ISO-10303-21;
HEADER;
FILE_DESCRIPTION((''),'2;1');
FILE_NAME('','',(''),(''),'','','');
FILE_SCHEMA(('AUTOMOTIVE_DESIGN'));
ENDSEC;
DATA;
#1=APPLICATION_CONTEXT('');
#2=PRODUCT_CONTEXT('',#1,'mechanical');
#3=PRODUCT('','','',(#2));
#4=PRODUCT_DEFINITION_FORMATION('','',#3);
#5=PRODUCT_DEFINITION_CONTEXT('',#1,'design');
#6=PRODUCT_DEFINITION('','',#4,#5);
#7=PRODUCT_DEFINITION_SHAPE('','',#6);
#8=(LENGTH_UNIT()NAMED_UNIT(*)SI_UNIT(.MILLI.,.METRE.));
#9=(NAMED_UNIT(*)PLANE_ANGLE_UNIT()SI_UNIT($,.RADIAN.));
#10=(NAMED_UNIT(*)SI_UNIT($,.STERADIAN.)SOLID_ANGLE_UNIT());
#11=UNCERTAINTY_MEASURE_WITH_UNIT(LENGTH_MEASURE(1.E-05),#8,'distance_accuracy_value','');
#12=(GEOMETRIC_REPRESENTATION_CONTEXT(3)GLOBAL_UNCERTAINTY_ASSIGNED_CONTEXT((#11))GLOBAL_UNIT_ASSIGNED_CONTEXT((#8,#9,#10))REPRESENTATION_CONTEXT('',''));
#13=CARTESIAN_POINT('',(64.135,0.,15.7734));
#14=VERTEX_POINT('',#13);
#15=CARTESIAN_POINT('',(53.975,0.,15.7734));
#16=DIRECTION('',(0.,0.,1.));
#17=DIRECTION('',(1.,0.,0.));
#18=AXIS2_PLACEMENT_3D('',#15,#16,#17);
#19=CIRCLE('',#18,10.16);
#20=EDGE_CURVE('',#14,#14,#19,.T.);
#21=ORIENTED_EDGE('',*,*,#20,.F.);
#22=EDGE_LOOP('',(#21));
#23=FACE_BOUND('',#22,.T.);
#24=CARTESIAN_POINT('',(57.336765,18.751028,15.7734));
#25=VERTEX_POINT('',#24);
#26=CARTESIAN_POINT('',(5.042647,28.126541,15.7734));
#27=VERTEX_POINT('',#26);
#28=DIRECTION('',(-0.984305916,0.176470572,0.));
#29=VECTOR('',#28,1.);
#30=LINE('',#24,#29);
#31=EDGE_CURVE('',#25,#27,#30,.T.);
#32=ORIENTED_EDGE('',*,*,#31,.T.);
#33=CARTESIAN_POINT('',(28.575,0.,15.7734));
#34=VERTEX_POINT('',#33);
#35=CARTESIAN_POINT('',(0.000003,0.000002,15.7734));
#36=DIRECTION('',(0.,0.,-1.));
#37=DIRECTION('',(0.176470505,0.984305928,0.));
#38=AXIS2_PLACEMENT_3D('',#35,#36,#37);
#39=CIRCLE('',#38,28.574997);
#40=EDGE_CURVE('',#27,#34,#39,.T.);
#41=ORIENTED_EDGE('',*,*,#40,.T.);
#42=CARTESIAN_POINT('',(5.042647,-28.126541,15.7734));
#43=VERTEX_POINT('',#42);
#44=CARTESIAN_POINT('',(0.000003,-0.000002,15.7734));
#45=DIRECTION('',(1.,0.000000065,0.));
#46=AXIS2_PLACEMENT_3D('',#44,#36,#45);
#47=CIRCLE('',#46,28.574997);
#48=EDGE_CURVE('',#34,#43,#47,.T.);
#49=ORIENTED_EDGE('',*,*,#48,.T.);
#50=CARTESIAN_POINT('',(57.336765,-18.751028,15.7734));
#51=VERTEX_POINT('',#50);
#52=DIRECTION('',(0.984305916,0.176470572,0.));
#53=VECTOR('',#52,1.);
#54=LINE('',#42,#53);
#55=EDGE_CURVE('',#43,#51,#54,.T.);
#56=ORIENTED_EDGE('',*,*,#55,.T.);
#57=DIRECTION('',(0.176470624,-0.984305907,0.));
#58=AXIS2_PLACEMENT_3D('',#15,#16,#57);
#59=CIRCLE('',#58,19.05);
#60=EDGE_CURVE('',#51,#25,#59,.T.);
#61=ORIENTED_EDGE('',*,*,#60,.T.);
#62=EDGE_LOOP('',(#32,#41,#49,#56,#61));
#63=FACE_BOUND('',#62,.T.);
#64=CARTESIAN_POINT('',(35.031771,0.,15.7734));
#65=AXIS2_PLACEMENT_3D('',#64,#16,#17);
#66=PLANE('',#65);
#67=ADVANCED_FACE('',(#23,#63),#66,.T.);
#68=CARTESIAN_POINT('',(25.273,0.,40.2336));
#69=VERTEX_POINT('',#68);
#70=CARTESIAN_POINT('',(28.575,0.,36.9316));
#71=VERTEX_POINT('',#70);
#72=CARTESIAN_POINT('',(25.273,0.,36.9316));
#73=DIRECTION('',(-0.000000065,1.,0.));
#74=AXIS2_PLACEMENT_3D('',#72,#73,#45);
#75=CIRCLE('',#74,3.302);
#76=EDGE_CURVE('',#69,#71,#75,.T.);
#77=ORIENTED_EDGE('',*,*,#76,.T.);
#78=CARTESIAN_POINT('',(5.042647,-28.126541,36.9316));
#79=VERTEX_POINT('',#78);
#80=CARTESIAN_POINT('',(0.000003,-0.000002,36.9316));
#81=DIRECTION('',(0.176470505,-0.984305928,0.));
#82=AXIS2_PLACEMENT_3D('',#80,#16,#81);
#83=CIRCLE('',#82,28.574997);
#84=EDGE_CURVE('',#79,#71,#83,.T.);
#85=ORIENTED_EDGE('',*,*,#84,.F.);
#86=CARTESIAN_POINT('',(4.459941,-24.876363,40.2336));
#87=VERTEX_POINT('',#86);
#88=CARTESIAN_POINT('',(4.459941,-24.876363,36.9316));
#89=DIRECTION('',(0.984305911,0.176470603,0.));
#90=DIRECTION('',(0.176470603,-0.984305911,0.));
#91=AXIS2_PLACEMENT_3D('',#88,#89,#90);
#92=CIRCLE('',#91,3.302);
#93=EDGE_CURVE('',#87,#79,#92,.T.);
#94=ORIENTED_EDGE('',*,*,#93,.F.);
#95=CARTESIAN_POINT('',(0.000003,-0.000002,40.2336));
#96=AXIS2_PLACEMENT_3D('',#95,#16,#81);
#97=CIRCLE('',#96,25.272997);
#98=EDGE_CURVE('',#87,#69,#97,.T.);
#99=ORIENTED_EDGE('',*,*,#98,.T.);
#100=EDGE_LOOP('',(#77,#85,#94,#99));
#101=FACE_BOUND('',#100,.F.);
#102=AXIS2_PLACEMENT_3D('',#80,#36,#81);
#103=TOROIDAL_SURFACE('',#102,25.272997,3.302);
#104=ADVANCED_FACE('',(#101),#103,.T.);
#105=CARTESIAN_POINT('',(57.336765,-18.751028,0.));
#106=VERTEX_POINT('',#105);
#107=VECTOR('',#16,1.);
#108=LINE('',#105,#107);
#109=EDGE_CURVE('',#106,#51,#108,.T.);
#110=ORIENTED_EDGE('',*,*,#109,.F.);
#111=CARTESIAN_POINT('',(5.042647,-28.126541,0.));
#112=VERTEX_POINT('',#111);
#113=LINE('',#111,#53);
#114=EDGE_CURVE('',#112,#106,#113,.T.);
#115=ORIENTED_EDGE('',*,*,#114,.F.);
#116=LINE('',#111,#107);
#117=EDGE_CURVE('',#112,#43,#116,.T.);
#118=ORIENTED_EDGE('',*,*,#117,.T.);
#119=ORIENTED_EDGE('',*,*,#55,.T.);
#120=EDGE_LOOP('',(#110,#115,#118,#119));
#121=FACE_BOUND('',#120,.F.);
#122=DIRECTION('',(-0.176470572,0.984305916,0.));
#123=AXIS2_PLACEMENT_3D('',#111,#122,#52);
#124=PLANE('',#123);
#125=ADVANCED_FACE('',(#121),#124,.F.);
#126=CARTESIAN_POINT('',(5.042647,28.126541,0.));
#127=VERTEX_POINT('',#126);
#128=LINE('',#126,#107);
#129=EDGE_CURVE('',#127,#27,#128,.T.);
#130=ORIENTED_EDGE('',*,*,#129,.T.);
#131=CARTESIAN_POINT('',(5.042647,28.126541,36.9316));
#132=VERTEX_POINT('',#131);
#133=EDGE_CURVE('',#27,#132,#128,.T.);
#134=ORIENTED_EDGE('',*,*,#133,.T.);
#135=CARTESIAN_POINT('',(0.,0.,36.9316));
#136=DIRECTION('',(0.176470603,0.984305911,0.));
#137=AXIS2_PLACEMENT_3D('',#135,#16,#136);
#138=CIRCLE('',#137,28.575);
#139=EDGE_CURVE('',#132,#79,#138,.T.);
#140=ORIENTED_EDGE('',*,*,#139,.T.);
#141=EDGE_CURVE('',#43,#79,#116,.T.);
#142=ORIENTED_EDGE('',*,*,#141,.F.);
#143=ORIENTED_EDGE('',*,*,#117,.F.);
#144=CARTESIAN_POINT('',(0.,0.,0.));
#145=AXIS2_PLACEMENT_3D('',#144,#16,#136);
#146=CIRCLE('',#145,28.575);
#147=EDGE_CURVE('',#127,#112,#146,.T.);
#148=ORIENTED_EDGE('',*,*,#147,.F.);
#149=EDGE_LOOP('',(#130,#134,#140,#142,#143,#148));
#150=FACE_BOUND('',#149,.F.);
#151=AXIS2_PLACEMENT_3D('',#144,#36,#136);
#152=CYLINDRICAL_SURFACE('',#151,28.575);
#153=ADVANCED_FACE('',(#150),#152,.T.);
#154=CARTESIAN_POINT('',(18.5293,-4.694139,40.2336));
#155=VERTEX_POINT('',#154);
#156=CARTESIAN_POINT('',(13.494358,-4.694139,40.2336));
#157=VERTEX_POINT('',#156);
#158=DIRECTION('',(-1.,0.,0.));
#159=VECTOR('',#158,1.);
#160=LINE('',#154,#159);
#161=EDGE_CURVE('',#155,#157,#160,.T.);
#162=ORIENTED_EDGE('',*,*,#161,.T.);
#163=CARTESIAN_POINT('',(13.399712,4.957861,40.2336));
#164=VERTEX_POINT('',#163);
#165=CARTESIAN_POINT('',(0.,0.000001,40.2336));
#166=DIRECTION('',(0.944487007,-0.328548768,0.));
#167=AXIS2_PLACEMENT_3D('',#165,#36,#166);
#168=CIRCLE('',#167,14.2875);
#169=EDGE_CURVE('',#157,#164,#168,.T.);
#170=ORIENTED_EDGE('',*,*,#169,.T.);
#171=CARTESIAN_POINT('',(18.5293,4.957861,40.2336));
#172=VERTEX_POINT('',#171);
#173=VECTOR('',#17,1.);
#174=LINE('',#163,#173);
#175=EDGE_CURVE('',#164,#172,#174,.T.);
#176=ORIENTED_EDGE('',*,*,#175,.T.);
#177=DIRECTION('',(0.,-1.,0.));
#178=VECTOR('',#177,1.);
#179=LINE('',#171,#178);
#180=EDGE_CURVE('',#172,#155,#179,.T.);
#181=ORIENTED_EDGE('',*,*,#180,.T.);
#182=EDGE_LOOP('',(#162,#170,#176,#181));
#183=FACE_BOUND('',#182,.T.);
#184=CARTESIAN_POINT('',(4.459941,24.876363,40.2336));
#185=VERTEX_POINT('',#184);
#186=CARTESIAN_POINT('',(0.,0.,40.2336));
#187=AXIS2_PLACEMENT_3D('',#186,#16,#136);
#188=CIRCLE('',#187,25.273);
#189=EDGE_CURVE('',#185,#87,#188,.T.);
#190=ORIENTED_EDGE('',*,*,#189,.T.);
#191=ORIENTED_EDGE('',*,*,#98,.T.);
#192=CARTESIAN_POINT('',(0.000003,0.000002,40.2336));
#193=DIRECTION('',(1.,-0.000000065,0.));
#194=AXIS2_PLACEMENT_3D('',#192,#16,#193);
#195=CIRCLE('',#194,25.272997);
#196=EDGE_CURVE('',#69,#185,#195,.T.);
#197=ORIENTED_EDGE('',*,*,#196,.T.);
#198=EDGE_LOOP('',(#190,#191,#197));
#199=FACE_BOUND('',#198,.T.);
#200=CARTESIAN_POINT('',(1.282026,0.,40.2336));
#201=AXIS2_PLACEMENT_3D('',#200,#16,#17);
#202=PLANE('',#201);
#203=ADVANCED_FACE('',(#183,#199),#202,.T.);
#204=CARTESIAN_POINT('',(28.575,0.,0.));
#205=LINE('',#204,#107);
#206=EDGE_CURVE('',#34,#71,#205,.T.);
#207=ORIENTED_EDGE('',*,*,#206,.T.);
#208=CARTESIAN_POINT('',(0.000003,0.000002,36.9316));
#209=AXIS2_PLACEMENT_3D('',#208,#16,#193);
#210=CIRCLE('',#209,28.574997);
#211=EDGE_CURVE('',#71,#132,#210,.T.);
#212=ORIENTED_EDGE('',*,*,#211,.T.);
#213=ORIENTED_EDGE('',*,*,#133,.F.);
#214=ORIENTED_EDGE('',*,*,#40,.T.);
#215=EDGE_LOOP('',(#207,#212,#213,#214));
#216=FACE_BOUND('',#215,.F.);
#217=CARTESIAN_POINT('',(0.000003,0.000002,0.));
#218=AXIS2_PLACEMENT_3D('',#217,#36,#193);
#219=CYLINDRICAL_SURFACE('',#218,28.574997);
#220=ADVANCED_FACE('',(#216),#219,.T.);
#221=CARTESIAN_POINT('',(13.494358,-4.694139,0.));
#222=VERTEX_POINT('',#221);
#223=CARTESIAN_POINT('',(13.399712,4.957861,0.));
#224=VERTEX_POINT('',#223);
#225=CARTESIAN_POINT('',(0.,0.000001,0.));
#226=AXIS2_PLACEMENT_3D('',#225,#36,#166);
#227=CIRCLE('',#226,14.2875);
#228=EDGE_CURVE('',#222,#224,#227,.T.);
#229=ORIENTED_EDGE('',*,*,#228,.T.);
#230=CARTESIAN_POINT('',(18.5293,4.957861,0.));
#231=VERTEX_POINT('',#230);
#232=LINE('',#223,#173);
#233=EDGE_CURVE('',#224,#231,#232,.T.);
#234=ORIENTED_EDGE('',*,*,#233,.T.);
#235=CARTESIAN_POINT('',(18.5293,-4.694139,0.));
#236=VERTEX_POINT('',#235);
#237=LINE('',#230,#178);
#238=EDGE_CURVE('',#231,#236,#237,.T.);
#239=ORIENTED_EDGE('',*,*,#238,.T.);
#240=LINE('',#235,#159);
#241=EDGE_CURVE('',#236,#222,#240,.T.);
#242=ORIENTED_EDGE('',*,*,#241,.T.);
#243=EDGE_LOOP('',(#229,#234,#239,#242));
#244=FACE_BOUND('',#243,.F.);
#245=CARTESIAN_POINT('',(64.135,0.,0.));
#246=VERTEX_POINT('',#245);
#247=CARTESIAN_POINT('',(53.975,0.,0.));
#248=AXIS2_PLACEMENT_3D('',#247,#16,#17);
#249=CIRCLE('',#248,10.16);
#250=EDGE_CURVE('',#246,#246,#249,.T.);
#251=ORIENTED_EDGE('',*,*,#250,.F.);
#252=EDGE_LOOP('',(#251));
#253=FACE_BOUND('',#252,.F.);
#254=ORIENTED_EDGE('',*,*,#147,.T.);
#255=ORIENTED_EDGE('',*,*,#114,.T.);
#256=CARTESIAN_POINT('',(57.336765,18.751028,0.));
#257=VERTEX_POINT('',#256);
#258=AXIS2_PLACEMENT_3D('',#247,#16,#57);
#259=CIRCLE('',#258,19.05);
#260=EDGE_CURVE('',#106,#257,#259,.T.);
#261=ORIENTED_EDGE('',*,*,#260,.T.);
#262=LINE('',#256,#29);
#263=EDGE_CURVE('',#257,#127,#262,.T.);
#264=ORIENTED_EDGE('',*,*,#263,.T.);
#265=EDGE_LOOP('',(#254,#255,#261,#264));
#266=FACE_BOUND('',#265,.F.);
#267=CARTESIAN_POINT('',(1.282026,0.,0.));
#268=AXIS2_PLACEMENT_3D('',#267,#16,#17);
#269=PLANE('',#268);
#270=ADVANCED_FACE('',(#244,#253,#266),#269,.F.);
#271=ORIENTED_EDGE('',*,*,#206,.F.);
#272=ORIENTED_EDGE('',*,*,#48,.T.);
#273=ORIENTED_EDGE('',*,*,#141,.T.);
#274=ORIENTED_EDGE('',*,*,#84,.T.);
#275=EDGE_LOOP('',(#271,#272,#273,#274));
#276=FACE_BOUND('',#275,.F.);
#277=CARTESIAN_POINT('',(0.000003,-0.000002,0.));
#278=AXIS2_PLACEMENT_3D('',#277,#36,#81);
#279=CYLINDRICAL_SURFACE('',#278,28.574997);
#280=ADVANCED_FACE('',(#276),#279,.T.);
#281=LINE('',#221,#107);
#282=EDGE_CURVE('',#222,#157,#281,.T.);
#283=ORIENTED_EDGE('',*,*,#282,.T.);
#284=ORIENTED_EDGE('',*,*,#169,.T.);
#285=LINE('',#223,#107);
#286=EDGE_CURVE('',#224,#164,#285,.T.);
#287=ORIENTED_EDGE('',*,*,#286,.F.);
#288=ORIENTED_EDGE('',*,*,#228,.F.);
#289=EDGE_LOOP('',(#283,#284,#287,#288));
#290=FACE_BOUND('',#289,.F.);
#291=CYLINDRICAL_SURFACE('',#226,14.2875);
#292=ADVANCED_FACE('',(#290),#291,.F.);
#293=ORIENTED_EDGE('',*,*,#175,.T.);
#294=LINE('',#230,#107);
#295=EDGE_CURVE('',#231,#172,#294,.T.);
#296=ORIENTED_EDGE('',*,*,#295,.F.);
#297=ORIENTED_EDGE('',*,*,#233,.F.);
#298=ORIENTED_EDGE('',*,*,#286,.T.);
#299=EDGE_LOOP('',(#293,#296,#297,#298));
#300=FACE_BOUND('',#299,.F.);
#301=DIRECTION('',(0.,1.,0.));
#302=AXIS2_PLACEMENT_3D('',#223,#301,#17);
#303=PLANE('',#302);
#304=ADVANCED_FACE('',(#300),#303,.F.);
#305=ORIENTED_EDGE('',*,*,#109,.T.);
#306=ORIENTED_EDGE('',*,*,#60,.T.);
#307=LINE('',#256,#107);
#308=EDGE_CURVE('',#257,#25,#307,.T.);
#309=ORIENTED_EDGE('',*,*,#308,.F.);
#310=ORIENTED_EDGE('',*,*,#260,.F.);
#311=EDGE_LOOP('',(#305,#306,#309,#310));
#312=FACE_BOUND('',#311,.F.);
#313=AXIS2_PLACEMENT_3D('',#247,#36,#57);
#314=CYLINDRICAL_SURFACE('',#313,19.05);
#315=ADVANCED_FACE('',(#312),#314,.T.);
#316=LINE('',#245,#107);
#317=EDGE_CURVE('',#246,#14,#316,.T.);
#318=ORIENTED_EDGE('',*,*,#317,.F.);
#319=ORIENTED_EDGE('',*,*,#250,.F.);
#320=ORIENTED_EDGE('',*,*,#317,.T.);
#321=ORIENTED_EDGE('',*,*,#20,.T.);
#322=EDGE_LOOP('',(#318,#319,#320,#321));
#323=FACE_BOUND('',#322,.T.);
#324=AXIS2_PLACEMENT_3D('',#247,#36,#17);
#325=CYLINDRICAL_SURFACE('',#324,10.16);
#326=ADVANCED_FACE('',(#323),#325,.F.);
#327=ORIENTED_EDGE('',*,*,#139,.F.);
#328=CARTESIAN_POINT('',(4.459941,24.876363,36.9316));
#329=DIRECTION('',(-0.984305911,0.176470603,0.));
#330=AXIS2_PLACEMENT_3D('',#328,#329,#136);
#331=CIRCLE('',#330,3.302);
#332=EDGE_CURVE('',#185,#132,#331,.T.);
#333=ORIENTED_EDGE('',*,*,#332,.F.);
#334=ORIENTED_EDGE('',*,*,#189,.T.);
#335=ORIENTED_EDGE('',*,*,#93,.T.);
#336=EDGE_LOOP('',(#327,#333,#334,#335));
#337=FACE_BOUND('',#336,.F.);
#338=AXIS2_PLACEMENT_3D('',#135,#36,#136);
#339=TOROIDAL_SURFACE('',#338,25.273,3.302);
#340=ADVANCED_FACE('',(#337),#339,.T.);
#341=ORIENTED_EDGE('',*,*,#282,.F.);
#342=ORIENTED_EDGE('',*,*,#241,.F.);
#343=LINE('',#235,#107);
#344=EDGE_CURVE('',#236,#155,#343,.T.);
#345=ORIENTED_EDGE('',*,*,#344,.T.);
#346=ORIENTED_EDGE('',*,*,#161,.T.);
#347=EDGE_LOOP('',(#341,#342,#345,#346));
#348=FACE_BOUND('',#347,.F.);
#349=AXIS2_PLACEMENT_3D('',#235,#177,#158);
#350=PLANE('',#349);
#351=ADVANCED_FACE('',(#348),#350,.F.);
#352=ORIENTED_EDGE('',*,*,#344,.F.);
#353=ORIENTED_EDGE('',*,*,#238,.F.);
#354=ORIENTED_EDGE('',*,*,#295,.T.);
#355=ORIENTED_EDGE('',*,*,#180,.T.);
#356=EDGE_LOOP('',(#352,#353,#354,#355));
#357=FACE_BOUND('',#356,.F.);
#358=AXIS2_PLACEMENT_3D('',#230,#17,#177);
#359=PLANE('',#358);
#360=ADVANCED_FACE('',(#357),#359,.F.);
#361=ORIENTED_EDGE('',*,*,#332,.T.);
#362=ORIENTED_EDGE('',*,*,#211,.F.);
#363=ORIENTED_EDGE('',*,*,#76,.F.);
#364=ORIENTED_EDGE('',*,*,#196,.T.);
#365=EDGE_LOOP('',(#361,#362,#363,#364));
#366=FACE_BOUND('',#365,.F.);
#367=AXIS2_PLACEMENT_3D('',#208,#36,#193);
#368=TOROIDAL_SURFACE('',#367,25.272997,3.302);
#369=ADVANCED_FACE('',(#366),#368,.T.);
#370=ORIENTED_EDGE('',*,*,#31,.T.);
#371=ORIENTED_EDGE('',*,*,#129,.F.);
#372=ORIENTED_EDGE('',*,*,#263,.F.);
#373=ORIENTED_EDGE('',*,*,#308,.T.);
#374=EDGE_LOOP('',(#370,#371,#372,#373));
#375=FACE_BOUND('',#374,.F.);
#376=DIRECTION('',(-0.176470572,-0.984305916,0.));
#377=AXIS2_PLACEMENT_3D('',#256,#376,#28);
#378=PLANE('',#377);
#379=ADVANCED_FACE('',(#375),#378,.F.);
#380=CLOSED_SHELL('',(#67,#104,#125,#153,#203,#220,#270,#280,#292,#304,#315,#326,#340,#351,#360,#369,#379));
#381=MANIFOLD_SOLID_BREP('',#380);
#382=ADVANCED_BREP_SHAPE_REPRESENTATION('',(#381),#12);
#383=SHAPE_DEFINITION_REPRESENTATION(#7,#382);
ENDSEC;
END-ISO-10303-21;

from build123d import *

# Parameters (mm, degrees)
F0_R     = 10.16
F1_DEPTH = 15.7734
F2_DEPTH = 40.2336
F3_R     = 3.302


with BuildPart() as f1:
    # F0 (on Top) → F1 (new body)
    with BuildSketch(Plane.XY):
        with BuildLine():
            ThreePointArc((5.042647, 28.126541), (21.916025, 18.336262), (28.575, 0))
            ThreePointArc((28.575, 0), (21.916025, -18.336262), (5.042647, -28.126541))
            Line((5.042647, -28.126541), (57.336765, -18.751028))
            ThreePointArc((57.336765, -18.751028), (73.025, 0), (57.336765, 18.751028))
            Line((57.336765, 18.751028), (5.042647, 28.126541))
        make_face()
        with Locations((53.975, 0)):
            Circle(F0_R, mode=Mode.SUBTRACT)
    extrude(amount=F1_DEPTH)

    # F0 (on Top) → F2 (join)
    with BuildSketch(Plane.XY):
        with BuildLine():
            ThreePointArc((5.042647, -28.126541), (21.916025, -18.336262), (28.575, 0))
            ThreePointArc((28.575, 0), (21.916025, 18.336262), (5.042647, 28.126541))
            ThreePointArc((5.042647, 28.126541), (-28.575, 0), (5.042647, -28.126541))
        make_face()
        with BuildLine():
            ThreePointArc((13.494358, -4.694139), (-14.286813, -0.140095), (13.399712, 4.957861))
            Line((13.399712, 4.957861), (18.5293, 4.957861))
            Line((18.5293, 4.957861), (18.5293, -4.694139))
            Line((18.5293, -4.694139), (13.494358, -4.694139))
        make_face(mode=Mode.SUBTRACT)
    extrude(amount=F2_DEPTH)

    # F3
    f3_edges = [f1.edges().sort_by_distance(p)[0] for p in [
        (-5.042647, 28.126541, 40.2336),
    ]]
    fillet(f3_edges, radius=F3_R)


solid = f1.part
